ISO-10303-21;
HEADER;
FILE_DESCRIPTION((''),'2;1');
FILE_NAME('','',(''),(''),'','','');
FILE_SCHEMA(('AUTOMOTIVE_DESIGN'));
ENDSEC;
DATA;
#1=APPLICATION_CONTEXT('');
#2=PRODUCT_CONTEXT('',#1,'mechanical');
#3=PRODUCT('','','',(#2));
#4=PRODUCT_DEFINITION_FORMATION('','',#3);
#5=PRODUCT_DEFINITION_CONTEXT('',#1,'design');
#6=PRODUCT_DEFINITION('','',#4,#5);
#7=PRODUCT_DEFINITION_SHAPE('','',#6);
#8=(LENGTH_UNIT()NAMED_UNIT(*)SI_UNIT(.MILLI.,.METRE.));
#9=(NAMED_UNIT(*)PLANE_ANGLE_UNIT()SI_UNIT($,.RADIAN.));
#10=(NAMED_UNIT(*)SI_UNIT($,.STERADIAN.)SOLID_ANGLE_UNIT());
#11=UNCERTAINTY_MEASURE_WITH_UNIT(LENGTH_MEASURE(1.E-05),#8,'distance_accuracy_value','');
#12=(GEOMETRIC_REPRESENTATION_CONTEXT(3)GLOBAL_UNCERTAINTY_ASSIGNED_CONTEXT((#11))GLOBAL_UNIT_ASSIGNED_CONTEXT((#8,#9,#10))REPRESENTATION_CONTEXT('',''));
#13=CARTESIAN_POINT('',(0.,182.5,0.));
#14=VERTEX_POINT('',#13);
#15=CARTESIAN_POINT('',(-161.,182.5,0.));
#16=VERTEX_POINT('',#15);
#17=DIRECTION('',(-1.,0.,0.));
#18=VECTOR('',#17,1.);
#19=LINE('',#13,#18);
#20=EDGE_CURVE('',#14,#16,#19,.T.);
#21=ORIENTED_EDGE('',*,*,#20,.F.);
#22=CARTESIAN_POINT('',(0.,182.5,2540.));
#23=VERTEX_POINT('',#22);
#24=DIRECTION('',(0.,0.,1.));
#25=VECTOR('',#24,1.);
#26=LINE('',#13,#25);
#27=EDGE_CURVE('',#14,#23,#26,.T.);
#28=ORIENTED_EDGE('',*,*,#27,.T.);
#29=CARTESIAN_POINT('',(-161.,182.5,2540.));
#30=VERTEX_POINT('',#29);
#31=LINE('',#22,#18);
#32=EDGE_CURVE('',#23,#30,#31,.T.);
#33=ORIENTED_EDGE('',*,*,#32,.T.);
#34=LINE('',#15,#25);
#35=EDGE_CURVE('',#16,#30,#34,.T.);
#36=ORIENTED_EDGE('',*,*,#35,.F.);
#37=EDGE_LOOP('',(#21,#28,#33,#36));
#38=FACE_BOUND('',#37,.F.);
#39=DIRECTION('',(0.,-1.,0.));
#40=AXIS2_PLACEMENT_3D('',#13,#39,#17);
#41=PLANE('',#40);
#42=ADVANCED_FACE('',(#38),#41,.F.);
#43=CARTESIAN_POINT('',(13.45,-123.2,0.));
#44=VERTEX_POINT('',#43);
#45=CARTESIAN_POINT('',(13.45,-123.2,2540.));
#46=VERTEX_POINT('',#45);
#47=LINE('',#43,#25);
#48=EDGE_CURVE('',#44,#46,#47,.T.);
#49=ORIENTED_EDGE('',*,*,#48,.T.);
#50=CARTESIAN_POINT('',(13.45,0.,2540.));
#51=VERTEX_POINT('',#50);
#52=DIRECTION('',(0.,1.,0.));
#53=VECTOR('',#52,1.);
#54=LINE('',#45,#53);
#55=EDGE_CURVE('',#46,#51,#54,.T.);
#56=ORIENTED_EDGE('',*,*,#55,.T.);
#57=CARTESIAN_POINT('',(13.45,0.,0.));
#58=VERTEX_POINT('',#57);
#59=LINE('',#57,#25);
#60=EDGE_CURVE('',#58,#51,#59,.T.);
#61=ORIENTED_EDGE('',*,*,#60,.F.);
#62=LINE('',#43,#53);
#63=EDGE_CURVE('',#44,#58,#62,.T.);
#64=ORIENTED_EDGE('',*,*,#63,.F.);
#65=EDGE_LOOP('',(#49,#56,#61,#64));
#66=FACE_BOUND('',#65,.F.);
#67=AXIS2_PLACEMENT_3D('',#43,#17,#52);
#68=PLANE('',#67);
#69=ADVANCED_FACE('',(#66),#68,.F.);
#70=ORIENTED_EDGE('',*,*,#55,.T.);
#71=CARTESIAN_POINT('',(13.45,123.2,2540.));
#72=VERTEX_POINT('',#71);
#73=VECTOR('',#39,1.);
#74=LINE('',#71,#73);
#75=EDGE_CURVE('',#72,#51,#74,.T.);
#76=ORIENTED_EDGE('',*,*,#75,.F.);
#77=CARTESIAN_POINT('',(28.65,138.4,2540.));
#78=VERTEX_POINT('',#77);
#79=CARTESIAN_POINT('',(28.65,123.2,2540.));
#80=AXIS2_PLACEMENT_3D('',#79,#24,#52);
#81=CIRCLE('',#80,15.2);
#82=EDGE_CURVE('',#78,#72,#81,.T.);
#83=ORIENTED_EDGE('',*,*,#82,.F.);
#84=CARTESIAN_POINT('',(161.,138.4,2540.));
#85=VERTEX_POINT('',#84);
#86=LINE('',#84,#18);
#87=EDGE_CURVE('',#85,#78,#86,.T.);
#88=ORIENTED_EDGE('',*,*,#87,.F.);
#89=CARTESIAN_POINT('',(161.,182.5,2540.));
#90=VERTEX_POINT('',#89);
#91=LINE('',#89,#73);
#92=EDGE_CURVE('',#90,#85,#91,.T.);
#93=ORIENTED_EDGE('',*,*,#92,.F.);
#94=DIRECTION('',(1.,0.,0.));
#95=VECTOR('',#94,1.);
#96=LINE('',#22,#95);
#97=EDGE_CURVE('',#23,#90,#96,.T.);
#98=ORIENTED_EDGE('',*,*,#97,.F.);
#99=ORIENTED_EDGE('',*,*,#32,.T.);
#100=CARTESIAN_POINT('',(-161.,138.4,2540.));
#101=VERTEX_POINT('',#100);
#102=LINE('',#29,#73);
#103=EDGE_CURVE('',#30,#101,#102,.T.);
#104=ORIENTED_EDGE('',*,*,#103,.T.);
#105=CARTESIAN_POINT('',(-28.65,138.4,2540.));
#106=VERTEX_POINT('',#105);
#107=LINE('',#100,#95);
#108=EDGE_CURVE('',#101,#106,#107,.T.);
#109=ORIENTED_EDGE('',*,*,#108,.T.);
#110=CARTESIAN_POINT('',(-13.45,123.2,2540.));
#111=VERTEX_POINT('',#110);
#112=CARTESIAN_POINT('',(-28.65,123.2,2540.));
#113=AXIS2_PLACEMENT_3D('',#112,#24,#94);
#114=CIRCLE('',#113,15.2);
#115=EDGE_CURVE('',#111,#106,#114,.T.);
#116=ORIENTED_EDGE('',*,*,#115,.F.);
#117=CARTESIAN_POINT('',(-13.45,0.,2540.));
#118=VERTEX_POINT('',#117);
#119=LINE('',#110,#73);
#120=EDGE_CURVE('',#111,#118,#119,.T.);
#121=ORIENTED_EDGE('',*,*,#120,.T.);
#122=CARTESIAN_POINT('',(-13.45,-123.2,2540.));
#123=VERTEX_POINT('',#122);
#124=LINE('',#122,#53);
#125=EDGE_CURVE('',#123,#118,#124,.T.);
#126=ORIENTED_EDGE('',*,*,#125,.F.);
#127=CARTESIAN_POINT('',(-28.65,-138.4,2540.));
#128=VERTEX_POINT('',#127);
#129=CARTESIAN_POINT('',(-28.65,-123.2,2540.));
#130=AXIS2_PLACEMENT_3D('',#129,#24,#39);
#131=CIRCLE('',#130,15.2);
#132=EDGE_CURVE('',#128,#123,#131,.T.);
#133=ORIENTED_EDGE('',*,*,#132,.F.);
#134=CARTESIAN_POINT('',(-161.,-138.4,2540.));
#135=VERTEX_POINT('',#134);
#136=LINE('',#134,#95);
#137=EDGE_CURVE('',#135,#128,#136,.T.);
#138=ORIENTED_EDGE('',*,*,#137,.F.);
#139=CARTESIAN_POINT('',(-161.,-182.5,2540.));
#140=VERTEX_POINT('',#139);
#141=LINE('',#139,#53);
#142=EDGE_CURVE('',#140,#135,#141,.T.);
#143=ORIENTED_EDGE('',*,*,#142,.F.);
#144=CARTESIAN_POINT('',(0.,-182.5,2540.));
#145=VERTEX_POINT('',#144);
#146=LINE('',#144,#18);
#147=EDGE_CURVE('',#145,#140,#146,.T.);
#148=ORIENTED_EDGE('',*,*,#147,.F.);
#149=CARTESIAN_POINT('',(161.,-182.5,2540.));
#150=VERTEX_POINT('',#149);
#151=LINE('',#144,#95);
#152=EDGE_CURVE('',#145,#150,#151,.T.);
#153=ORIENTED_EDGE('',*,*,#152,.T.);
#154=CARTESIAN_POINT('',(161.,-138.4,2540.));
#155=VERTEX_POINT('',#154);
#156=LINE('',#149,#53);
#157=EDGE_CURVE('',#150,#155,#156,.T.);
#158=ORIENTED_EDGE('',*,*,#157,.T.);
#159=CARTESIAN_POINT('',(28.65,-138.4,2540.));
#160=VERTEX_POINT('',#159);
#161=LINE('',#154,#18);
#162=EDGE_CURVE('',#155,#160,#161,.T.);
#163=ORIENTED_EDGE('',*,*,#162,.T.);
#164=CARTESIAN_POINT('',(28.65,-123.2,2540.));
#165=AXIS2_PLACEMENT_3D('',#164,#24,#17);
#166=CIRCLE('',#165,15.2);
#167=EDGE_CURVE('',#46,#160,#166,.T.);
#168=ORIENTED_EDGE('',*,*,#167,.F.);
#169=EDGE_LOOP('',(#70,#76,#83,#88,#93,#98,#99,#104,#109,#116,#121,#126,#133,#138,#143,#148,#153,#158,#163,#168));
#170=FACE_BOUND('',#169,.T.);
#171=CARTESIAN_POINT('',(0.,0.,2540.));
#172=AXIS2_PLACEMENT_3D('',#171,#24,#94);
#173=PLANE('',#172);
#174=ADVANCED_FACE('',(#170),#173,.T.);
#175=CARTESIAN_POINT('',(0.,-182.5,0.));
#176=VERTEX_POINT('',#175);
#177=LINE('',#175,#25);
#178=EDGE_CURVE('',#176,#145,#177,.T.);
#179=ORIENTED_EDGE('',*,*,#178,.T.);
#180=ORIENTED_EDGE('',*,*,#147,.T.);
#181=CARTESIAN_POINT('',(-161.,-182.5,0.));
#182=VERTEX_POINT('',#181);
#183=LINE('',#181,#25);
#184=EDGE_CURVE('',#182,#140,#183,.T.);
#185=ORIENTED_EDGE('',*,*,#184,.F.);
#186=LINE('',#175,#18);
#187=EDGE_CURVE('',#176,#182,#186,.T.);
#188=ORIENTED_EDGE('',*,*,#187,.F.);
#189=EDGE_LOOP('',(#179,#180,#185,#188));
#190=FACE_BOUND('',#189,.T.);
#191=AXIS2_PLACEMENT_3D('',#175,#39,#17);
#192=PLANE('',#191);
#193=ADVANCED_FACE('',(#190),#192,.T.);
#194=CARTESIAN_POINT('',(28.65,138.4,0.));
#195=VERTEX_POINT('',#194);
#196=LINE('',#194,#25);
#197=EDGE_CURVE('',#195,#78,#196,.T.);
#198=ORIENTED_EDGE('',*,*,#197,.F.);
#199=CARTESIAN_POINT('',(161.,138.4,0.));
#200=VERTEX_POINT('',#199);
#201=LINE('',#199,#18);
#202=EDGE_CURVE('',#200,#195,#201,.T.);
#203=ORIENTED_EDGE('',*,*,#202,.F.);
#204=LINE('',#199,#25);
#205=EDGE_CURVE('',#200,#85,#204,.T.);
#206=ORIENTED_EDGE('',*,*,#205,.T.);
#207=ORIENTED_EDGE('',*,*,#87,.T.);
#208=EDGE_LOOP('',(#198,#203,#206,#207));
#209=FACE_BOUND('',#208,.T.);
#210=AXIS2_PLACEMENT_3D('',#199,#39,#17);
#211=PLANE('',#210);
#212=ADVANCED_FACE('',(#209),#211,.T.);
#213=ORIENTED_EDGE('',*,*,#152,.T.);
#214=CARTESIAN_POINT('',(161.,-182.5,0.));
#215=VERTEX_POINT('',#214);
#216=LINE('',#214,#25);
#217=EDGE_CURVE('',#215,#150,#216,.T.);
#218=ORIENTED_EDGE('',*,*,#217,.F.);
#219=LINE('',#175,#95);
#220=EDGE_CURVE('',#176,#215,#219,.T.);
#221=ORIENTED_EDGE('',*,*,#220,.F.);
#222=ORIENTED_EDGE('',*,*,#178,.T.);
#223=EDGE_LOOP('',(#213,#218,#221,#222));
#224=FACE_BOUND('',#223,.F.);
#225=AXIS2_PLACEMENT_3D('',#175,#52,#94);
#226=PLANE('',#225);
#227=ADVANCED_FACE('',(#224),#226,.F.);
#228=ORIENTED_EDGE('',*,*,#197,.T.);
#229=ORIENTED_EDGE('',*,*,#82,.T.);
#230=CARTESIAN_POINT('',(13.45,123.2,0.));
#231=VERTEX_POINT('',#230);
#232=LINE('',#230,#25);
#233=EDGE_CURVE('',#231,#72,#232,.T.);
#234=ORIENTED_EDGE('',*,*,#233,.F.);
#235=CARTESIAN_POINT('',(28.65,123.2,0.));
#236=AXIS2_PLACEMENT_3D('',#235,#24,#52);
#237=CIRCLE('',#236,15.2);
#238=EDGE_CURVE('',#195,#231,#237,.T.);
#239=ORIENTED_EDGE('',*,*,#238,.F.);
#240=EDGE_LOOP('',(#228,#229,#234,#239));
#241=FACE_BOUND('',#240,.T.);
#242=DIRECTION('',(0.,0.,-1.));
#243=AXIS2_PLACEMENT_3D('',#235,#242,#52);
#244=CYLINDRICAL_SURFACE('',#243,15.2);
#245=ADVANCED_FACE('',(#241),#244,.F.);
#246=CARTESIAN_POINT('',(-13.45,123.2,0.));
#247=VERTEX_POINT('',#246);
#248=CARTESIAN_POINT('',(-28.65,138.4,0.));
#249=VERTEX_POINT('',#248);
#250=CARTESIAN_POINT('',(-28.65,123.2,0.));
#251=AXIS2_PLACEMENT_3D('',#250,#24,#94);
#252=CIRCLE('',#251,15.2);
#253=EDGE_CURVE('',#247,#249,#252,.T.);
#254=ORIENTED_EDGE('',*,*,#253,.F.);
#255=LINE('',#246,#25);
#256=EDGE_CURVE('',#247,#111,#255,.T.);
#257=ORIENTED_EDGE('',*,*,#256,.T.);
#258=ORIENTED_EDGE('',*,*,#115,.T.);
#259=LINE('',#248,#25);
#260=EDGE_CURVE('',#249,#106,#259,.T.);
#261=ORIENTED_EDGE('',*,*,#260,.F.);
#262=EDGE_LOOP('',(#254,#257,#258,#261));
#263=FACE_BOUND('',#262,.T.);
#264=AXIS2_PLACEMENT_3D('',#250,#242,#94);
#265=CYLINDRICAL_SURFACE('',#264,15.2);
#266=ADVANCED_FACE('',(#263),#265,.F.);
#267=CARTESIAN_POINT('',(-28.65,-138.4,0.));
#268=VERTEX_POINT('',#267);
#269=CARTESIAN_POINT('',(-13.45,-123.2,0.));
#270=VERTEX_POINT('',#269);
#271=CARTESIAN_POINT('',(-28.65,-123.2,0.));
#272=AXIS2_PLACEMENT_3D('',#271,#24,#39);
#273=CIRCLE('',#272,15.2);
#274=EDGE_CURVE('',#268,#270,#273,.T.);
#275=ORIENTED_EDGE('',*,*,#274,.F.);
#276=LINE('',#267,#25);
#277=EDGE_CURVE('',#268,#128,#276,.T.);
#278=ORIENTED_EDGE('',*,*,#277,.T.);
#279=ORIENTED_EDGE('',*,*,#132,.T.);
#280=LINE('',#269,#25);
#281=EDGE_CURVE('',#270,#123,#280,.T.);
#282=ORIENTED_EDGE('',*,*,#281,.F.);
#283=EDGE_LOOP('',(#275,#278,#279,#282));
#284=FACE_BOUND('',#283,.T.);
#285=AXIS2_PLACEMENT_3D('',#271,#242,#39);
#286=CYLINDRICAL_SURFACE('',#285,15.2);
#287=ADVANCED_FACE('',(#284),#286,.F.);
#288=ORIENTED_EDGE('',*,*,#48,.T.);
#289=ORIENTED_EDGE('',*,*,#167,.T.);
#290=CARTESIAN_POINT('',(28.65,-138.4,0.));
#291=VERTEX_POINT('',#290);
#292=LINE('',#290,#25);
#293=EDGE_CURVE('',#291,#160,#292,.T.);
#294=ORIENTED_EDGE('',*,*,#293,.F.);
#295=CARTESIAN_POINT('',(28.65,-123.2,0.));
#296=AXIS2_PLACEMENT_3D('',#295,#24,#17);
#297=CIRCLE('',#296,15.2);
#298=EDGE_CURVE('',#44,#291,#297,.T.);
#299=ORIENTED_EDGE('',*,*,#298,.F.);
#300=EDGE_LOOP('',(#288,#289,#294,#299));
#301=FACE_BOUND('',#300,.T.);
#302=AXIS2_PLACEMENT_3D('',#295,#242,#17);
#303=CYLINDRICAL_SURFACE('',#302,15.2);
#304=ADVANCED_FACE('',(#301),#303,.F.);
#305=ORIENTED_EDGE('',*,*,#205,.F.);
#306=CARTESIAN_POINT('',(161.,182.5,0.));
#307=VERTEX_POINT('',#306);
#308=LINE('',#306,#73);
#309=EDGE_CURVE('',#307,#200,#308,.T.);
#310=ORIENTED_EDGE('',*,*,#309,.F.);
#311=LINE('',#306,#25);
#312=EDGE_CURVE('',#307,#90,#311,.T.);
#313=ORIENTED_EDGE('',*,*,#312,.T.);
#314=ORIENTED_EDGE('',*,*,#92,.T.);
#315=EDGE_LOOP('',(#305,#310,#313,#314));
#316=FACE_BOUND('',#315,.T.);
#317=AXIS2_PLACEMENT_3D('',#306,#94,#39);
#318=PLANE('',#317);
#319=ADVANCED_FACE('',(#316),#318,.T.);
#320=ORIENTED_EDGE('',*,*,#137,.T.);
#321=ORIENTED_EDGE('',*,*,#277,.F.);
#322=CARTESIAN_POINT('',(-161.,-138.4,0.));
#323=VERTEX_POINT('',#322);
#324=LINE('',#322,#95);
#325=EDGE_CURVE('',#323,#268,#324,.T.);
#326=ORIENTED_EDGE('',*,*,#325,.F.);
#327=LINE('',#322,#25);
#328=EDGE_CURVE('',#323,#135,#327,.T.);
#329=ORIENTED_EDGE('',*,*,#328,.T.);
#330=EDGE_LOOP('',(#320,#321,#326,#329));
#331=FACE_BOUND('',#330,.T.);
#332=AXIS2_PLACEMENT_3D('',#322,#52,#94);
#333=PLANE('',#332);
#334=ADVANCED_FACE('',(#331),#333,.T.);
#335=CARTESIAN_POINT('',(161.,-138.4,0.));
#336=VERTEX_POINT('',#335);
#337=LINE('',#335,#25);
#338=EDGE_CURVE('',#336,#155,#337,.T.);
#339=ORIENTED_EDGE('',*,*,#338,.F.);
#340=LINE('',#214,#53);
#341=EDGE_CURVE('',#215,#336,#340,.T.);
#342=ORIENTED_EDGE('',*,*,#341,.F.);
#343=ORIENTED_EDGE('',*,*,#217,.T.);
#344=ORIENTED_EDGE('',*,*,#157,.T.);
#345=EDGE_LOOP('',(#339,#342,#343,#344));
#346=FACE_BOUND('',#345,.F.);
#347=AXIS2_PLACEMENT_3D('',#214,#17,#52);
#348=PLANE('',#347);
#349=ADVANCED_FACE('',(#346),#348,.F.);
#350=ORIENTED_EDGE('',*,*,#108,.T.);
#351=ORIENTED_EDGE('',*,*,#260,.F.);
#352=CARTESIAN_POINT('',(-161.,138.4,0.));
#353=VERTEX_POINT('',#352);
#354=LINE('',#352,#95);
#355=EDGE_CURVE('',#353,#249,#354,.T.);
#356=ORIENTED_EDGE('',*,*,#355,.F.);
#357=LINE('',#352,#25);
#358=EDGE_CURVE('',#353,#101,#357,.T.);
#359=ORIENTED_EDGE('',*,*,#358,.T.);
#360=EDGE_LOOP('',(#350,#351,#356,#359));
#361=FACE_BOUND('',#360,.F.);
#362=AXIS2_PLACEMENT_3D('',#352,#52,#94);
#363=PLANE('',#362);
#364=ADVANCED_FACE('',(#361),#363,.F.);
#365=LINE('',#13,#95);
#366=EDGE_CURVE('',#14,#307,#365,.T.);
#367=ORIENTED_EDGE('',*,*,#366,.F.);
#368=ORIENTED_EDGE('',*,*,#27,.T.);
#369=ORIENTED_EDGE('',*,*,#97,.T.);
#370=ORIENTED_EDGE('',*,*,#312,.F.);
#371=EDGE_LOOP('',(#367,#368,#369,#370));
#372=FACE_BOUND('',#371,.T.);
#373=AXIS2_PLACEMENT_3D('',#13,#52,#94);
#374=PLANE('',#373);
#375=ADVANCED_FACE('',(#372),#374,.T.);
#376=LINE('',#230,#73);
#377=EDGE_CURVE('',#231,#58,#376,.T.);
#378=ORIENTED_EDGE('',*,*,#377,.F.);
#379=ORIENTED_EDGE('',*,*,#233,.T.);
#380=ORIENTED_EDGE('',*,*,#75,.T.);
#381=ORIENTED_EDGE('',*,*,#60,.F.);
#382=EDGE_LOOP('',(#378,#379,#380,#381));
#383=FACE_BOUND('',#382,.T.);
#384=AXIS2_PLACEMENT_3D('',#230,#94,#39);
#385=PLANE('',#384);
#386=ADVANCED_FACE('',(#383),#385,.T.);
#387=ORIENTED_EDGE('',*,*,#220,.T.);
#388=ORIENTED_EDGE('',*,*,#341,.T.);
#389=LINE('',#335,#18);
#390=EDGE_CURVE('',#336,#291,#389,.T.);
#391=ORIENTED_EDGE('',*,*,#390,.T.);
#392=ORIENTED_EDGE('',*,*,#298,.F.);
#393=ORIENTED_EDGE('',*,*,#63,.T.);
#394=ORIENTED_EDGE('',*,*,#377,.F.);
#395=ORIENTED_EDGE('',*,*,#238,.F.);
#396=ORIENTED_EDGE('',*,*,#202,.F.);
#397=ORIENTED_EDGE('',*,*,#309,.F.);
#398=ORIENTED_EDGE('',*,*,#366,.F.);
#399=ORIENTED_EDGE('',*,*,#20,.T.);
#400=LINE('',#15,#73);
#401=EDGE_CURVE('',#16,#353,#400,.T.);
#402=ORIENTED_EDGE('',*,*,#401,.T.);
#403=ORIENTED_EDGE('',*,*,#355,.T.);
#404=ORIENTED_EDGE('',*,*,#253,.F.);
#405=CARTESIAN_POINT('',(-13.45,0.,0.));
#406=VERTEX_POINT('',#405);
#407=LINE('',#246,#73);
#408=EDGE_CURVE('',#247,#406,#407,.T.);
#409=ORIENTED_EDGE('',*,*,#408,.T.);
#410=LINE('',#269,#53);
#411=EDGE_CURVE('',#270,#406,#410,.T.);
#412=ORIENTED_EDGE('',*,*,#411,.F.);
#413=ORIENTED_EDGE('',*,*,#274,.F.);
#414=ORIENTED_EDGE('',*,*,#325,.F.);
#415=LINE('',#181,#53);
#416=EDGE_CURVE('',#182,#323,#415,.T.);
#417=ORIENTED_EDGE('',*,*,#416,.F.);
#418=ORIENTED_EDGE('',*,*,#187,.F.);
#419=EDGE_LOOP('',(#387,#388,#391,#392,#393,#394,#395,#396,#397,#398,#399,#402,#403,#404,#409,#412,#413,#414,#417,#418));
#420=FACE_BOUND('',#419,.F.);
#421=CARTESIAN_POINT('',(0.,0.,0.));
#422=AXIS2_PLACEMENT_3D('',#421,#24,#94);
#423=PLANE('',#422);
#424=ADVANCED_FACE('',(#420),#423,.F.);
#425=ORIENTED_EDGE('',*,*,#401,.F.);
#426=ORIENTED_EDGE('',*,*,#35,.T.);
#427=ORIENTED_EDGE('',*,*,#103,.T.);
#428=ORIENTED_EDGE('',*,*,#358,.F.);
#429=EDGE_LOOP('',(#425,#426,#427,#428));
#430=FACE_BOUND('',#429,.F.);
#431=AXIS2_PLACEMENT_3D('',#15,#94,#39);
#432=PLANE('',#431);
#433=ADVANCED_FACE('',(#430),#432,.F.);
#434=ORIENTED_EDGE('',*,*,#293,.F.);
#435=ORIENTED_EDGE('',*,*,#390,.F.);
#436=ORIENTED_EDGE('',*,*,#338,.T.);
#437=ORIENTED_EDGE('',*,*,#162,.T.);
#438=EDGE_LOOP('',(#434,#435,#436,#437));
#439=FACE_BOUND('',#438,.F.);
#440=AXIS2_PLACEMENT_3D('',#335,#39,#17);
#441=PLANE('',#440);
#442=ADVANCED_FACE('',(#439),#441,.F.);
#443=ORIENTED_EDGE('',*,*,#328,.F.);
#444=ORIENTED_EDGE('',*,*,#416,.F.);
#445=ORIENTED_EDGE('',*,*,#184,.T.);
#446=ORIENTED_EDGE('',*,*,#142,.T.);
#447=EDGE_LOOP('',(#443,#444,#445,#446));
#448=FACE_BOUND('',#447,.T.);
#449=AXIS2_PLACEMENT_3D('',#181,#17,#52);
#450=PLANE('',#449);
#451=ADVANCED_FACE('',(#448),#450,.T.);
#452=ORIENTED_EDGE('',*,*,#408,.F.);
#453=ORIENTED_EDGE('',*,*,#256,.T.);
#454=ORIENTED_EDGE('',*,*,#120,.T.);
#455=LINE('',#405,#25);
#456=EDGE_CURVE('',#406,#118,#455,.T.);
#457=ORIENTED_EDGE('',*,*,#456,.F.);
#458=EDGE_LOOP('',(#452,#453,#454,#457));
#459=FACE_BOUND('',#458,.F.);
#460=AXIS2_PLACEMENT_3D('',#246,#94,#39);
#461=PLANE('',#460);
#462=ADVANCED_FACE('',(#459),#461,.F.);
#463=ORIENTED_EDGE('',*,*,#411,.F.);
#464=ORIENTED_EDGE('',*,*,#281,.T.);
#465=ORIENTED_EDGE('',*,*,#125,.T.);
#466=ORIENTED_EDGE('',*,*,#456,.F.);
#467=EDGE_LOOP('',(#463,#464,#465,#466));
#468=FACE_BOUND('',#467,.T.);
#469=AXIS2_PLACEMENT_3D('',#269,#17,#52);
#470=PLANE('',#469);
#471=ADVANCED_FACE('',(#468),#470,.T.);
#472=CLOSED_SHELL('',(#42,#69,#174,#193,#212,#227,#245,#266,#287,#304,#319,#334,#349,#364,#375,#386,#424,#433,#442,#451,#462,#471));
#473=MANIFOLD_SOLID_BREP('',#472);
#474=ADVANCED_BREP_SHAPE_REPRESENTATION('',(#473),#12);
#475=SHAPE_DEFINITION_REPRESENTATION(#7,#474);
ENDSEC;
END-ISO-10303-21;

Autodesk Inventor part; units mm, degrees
ref_plane "YZ Plane" through (0, 0, 0) normal (1, 0, 0) x (0, 1, 0)
ref_plane "Start plane" through (0, 0, 0) normal (0, 0, 1) x (1, 0, 0)
ref_plane "End plane" through (0, 0, 2540) normal (0, 0, 1) x (1, 0, 0)
sketch "Sketch" plane through (0, 0, 0) normal (0, 0, 1) x (1, 0, 0)
  line L0 (-161, -182.5) -> (-161, -138.4)
  line L1 (-161, -138.4) -> (-28.65, -138.4)
  line L2 (-13.45, -123.2) -> (-13.45, 0)
  line L3 (-13.45, 0) -> (0, 0) construction
  line L4 (0, 0) -> (0, -182.5) construction
  line L5 (0, -182.5) -> (-161, -182.5)
  line L6 (-60, 0) -> (80, 0) construction
  line L7 (0, -60) -> (0, 80) construction
  line L8 (161, -182.5) -> (161, -138.4)
  line L9 (161, -138.4) -> (28.65, -138.4)
  line L10 (13.45, -123.2) -> (13.45, 0)
  line L11 (13.45, 0) -> (0, 0) construction
  line L12 (0, -182.5) -> (161, -182.5)
  line L13 (-161, 182.5) -> (-161, 138.4)
  line L14 (-161, 138.4) -> (-28.65, 138.4)
  line L15 (-13.45, 123.2) -> (-13.45, 0)
  line L16 (0, 182.5) -> (-161, 182.5)
  line L17 (161, 182.5) -> (161, 138.4)
  line L18 (161, 138.4) -> (28.65, 138.4)
  line L19 (0, 182.5) -> (161, 182.5)
  line L20 (13.45, 123.2) -> (13.45, 0)
  arc A0 (-13.45, 123.2) -> (-28.65, 138.4) centre (-28.65, 123.2) ccw
  arc A1 (28.65, 138.4) -> (13.45, 123.2) centre (28.65, 123.2) ccw
  arc A2 (13.45, -123.2) -> (28.65, -138.4) centre (28.65, -123.2) ccw
  arc A3 (-28.65, -138.4) -> (-13.45, -123.2) centre (-28.65, -123.2) ccw
  line L21 (0, 108) -> (0, -88) construction
  line L22 (-88, 0) -> (108, 0) construction
  point P0 (-13.45, -138.4)
  point P1 (13.45, -138.4)
  point P2 (-13.45, 138.4)
  point P3 (13.45, 138.4)
  dimension "d1" = 182.5
  dimension "d2" = 44.1
  dimension "d3" = 161
  dimension "d4" = 13.45
  dimension "d10" = 15.2
extrude "Body" add sketch "Sketch" along normal up to surface (2540 mm away) from surface at 0
sketch "Sketch4" plane through (0, 0, 0) normal (0, 0, 1) x (1, 0, 0)
  line L0 (0, 0) -> (10, 0)
ref_plane "Work Plane3" through (0, 0, 0) normal (0, -1, 0) x (1, 0, 0)
sketch "Sketch5" plane through (0, 0, 0) normal (0, -1, 0) x (1, 0, 0)
  line L0 (-2, 0) -> (12, 0) projected
  line L1 (-2, 2540) -> (12, 2540) projected
  dimension "d14" = 2540
equation "\"d1\" = 0.5 * G_H"
equation "\"d2\" = G_T1"
equation "\"d3\" = 0.5 * G_W"
equation "\"d4\" = 0.5 * G_T"
equation "\"d10\" = G_IR"
equation "\"d5\" = G_L"
equation "\"G_W\" = 322"
equation "\"G_H\" = 365"
equation "\"G_T\" = 26.9"
equation "\"G_T1\" = 44.1"
equation "\"G_IR\" = 15.2"
equation "\"G_L\" = d14"
equation "\"G_OFFSET_START\" = 0"
equation "\"G_OFFSET_END\" = 0"
properties part number "AS 3679 - 310 UC - 283 - 2540" material "Steel, Mild"
